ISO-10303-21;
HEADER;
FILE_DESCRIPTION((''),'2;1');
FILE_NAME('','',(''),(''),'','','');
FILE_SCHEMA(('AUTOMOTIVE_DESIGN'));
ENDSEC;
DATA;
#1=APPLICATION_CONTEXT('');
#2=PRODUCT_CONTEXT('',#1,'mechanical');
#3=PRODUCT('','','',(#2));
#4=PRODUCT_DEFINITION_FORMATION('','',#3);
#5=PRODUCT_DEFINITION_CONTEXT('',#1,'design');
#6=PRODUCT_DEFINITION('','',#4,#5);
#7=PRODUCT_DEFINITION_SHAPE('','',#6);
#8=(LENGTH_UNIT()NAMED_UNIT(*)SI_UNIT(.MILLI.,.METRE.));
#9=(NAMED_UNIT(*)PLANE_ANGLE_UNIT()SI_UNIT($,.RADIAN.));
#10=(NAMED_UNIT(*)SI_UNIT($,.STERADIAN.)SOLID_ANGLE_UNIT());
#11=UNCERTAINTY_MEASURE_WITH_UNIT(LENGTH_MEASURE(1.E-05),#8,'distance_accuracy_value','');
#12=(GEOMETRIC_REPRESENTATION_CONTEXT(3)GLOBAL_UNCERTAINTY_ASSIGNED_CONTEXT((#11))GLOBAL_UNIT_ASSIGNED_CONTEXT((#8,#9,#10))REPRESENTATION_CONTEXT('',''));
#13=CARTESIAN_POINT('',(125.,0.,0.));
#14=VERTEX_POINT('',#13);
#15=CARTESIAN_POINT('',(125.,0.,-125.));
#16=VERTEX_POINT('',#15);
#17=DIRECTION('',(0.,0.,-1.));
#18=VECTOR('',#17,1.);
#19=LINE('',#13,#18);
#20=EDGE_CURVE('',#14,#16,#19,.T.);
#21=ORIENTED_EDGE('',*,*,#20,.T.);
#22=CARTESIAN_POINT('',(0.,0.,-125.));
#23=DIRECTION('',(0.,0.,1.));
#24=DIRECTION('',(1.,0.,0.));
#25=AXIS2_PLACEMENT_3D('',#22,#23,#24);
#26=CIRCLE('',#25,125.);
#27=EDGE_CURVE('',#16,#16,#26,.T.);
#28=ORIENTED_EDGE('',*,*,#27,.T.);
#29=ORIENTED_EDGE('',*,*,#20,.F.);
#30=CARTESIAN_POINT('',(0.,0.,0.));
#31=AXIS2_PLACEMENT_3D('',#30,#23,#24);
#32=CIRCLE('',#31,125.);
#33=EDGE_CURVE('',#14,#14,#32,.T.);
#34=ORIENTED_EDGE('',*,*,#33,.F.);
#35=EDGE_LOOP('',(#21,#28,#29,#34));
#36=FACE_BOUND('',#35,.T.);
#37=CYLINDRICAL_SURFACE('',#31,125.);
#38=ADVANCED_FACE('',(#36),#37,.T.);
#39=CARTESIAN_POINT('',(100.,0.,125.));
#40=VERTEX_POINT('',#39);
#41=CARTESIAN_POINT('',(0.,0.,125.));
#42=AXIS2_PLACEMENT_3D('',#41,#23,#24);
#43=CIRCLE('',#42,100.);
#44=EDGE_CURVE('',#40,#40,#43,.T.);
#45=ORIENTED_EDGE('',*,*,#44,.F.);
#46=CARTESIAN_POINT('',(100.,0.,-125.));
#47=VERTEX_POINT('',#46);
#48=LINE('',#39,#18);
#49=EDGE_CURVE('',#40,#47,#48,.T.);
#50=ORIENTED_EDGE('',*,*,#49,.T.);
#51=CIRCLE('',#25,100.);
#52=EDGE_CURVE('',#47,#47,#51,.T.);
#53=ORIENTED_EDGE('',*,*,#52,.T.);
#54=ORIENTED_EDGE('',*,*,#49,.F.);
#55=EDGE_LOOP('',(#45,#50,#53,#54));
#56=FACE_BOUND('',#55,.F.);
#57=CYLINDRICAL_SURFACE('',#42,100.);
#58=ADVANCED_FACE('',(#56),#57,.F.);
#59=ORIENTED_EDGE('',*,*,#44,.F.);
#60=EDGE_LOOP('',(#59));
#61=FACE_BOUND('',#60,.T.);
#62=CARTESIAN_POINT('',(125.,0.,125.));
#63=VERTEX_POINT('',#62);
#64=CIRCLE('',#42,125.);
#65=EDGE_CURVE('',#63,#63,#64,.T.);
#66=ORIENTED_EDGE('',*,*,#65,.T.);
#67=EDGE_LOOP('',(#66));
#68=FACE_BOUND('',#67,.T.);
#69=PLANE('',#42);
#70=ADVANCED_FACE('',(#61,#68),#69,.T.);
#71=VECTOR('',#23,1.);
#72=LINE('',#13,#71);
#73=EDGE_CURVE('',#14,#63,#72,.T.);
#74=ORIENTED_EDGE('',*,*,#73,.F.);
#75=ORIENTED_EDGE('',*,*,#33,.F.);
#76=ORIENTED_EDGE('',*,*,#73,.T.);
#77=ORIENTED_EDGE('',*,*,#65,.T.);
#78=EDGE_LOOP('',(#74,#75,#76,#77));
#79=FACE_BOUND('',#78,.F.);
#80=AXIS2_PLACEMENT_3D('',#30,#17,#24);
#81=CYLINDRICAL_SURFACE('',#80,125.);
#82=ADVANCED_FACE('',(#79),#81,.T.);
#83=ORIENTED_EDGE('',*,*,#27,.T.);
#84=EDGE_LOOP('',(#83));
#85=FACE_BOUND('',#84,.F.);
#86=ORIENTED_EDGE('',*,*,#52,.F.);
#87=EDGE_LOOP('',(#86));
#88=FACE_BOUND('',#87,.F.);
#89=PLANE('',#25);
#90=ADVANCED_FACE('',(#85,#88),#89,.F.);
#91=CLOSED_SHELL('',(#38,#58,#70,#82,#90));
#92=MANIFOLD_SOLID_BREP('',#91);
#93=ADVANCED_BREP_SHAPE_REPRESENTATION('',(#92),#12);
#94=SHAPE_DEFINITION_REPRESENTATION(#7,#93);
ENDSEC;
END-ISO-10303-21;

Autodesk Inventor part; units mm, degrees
ref_plane "YZ Plane" through (0, 0, 0) normal (1, 0, 0) x (0, 1, 0)
ref_plane "XZ Plane" through (0, 0, 0) normal (0, 1, 0) x (-1, 0, 0)
ref_plane "XY Plane" through (0, 0, 0) normal (0, 0, 1) x (1, 0, 0)
sketch "Sketch1" plane through (0, 0, 0) normal (0, 0, 1) x (1, 0, 0)
  circle A0 centre (0, 0) radius 125
  dimension "d0" = 250
extrude "Extrusion1" add sketch "Sketch1" along normal mid plane 250
sketch "Sketch2" plane through (0, 0, 125) normal (0, 0, 1) x (1, 0, 0)
  circle A0 centre (0, 0) radius 100
  dimension "d3" = 200
extrude "Extrusion2" cut sketch "Sketch2" against normal through all
properties part number "AGBL02_4"
